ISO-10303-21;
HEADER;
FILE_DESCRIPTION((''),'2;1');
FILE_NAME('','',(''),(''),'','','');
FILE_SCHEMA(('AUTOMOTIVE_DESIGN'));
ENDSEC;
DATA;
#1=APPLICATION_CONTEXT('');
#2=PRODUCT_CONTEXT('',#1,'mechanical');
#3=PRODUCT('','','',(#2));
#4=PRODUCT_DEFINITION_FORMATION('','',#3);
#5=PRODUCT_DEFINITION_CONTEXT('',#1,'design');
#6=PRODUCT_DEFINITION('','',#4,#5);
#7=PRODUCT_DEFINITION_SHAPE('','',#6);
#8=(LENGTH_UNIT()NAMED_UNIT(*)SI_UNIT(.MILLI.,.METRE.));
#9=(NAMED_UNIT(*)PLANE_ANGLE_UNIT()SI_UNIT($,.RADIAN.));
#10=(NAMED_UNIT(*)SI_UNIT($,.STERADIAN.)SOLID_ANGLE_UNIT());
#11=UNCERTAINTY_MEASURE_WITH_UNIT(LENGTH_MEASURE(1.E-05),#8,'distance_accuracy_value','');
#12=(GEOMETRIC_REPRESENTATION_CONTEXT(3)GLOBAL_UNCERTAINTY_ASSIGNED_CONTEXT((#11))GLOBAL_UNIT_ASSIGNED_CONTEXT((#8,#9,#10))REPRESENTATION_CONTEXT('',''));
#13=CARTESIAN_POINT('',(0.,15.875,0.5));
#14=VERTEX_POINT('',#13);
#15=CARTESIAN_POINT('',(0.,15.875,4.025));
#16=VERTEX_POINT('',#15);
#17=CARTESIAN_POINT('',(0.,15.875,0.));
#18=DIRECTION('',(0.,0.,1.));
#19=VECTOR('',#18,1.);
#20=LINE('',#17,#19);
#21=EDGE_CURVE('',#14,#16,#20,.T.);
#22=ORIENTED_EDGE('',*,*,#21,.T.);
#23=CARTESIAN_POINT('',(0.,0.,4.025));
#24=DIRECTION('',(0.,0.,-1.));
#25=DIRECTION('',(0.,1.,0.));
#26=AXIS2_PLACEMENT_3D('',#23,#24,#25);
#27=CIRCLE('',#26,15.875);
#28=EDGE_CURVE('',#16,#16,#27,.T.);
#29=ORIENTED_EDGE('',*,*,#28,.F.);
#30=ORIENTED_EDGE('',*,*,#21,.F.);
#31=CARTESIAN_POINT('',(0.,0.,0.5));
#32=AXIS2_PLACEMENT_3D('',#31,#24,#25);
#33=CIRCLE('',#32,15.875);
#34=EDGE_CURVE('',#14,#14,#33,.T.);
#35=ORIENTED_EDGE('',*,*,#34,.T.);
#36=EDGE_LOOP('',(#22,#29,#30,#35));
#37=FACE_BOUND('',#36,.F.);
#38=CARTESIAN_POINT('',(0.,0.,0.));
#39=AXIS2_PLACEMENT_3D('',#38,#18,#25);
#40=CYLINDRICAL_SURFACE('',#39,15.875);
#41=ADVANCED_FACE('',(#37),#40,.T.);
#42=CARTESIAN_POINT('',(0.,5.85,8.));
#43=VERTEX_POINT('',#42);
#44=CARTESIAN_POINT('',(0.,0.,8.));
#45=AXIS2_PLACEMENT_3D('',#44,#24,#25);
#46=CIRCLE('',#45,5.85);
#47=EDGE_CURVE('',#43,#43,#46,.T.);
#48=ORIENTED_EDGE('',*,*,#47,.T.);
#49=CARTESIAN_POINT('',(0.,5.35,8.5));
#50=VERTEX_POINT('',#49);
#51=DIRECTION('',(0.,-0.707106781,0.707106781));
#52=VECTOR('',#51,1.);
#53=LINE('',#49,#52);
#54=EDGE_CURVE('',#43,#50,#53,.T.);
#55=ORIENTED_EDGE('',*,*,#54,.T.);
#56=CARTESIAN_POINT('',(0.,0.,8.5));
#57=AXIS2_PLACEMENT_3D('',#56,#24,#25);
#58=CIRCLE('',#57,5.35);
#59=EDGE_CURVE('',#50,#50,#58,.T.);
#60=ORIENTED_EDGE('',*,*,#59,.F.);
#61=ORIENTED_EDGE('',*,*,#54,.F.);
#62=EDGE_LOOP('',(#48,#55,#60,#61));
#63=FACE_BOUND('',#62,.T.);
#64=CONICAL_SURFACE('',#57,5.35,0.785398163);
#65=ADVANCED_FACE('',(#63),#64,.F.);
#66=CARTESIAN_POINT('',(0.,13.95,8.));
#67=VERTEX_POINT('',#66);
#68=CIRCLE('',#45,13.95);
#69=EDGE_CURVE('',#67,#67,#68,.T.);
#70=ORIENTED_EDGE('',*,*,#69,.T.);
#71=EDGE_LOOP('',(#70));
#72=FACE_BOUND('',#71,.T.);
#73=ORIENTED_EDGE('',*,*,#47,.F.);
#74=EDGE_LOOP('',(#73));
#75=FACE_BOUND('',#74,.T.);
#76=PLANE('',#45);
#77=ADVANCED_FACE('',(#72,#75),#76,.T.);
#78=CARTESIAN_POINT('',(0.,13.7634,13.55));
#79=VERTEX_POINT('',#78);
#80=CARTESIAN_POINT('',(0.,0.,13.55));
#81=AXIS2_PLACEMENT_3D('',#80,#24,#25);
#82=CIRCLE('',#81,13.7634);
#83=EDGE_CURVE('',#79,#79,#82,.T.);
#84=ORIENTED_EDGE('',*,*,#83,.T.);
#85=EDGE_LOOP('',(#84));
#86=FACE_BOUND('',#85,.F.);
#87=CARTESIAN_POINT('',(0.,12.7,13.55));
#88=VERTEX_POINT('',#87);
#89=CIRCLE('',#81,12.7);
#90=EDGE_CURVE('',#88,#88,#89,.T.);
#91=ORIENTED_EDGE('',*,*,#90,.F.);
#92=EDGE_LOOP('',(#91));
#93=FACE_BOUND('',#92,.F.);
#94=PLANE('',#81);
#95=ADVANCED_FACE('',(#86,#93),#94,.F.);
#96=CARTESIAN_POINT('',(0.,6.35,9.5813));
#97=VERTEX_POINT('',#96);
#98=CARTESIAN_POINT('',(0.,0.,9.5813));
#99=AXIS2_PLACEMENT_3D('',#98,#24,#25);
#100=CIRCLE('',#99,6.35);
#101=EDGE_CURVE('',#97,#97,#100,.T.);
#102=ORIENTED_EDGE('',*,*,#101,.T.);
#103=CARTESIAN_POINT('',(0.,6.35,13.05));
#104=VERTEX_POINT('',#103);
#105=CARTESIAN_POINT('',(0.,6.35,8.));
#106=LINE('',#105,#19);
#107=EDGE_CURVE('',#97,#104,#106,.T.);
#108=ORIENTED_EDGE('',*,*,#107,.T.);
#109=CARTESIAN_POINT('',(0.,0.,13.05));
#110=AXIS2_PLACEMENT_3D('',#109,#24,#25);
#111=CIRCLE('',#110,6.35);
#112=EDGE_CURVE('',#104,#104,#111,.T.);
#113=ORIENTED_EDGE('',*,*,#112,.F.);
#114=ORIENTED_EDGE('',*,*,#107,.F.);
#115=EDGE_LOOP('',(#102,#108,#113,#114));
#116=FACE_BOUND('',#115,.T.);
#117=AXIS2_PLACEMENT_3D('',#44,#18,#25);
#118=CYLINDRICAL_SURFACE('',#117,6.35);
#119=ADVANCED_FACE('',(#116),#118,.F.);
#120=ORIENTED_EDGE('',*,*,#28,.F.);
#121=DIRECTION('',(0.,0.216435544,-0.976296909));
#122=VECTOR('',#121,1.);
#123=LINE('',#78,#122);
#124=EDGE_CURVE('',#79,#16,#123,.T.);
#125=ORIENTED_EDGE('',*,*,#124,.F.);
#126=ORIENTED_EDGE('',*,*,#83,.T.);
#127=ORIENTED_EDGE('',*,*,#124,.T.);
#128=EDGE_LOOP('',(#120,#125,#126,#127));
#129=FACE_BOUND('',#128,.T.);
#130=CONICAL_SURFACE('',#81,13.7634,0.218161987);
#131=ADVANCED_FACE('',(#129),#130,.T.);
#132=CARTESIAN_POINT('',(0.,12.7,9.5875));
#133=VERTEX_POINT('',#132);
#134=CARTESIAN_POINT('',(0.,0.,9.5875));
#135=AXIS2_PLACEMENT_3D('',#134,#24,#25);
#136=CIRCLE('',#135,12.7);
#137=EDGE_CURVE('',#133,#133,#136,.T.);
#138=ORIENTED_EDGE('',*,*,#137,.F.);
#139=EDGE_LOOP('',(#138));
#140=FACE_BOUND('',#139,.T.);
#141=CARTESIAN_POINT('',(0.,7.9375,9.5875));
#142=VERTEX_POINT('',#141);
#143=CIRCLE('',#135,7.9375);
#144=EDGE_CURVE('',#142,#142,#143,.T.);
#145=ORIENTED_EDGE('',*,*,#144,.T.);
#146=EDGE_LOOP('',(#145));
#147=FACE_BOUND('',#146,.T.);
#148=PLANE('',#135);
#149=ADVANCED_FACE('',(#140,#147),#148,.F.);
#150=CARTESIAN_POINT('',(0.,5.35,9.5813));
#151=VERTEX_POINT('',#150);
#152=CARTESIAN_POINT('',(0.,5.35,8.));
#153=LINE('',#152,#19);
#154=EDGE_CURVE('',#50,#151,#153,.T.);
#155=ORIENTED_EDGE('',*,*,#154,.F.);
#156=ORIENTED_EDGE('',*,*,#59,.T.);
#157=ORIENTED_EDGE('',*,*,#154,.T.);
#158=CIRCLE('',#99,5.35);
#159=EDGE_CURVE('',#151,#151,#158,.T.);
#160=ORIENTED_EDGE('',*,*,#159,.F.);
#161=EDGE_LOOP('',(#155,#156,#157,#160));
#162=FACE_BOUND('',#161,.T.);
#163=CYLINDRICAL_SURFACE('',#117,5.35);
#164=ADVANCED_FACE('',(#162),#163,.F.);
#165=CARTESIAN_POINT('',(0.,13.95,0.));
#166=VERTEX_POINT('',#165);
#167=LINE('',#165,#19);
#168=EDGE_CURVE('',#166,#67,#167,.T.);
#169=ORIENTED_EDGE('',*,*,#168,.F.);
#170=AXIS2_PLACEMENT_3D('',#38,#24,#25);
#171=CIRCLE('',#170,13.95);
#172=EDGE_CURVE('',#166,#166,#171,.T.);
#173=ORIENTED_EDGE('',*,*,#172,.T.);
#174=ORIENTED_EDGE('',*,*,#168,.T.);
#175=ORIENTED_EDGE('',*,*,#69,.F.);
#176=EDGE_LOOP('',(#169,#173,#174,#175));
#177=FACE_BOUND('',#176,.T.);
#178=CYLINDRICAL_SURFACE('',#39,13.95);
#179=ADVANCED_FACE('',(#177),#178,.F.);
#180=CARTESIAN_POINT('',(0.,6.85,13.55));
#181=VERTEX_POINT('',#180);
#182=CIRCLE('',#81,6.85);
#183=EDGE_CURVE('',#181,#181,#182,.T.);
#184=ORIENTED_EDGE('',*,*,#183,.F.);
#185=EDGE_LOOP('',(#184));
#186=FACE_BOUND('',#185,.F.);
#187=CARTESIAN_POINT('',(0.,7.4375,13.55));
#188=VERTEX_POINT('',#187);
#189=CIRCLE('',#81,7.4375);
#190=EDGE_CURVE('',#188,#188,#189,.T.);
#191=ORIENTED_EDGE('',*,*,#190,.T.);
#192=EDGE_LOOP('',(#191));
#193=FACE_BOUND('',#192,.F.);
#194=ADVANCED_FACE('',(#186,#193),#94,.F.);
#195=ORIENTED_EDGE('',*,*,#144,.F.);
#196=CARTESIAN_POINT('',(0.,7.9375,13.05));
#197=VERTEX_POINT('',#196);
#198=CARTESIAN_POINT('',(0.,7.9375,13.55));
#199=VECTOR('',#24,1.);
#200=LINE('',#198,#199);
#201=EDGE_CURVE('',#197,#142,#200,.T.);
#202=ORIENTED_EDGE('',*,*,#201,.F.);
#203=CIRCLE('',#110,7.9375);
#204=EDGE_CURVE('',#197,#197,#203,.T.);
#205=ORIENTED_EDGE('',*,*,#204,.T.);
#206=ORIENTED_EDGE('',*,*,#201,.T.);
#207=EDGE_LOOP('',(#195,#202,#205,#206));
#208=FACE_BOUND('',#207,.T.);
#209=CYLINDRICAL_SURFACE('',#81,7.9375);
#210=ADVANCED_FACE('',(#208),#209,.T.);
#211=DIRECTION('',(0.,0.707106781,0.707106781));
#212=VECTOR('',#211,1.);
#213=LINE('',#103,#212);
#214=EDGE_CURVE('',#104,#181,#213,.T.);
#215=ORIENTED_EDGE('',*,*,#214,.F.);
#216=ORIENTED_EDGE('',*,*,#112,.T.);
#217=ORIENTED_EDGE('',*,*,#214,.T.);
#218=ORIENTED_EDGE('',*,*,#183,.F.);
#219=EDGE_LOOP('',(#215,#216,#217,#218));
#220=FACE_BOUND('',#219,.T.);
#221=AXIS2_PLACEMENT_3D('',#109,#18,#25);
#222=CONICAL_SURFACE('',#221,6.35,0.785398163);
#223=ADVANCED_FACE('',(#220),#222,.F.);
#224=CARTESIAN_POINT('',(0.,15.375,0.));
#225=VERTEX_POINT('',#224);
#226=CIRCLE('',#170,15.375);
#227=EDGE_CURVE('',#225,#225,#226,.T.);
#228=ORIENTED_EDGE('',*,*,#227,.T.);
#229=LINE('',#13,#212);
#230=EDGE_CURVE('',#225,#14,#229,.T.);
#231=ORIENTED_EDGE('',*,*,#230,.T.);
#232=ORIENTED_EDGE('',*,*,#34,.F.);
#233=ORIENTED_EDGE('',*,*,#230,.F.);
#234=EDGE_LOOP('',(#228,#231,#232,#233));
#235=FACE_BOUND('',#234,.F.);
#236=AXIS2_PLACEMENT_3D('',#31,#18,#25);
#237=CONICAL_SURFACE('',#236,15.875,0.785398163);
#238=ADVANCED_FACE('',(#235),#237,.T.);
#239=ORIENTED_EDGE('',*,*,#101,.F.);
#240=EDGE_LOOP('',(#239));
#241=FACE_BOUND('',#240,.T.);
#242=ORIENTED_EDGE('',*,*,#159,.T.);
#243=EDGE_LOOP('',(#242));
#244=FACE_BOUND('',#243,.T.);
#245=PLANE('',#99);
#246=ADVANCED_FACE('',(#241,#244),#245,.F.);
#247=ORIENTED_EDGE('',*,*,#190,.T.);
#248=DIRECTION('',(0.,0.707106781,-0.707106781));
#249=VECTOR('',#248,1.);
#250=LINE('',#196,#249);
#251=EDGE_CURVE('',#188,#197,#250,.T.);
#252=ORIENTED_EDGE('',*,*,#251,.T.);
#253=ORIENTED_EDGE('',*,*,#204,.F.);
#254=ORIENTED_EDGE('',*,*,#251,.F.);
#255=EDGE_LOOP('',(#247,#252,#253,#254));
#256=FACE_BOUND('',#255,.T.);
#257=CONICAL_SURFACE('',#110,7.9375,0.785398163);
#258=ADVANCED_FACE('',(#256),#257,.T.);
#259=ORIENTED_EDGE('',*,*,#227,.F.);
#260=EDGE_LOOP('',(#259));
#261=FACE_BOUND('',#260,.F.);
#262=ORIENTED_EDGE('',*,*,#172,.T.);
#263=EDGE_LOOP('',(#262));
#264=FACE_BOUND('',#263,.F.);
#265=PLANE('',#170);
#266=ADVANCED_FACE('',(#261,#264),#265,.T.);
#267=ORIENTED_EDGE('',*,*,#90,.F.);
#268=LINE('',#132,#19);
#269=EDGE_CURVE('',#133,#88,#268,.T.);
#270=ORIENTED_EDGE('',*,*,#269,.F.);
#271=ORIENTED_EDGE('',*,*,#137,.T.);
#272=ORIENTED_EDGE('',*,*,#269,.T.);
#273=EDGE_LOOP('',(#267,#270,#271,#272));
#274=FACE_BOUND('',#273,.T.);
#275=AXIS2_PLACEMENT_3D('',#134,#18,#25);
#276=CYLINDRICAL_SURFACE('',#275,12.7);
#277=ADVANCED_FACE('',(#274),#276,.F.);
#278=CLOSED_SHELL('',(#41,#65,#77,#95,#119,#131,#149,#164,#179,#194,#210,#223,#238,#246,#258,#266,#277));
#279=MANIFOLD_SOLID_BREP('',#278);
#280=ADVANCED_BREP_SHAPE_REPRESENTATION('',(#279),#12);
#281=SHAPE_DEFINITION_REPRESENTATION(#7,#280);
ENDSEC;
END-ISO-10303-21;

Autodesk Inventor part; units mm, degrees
ref_plane "YZ Plane" through (0, 0, 0) normal (1, 0, 0) x (0, 1, 0)
ref_plane "XZ Plane" through (0, 0, 0) normal (0, 1, 0) x (-1, 0, 0)
ref_plane "XY Plane" through (0, 0, 0) normal (0, 0, 1) x (1, 0, 0)
sketch "Sketch1" plane through (0, 0, 0) normal (1, 0, 0) x (0, 1, 0)
  line L0 (0, 0) -> (13.95, 0) construction
  line L1 (13.95, 0) -> (13.95, 8)
  line L2 (13.95, 8) -> (0, 8)
  line L3 (0, 8) -> (0, 0) construction
  line L4 (0, 8) -> (6.35, 8)
  line L5 (6.35, 8) -> (6.35, 13.55)
  line L6 (6.35, 13.55) -> (0, 13.55) construction
  line L7 (0, 13.55) -> (0, 8) construction
  line L8 (0, 0) -> (15.875, 0)
  line L9 (15.875, 0) -> (15.875, 13.55)
  line L10 (15.875, 13.55) -> (0, 13.55)
  line L11 (0, 13.55) -> (0, 0)
  line L12 (13.7634, 13.55) -> (15.875, 4.025)
  line L13 (6.35, 8) -> (5.35, 8)
  line L14 (5.35, 8) -> (5.35, 9.5813)
  line L15 (5.35, 9.5813) -> (6.35, 9.5813)
  line L16 (6.35, 9.5813) -> (6.35, 8)
  line L17 (12.7, 13.55) -> (7.9375, 13.55)
  line L18 (7.9375, 13.55) -> (7.9375, 9.5875)
  line L19 (7.9375, 9.5875) -> (12.7, 9.5875)
  line L20 (12.7, 9.5875) -> (12.7, 13.55)
  point P0 (13.95, 0)
  point P1 (0, 8)
  point P2 (6.35, 9.5813)
  dimension "d0" = 13.95
  dimension "d1" = 8
  dimension "d2" = 6.35
  dimension "d3" = 13.55
  dimension "d4" = 15.875
  dimension "d7" = 12.5
  dimension "d8" = 9.525
  dimension "d9" = 1
  dimension "d10" = 3.9688
  dimension "d17" = 1.5875
  dimension "d18" = 1.5875
  dimension "d19" = 3.175
revolve "Revolution1" add sketch "Sketch1" angle 360 about axis through (0, 0, 13.55) along (0, 0, -1) contours L1 L2 L5 L10 L18 L19 L20 L12 L9 L8 | L2 L14 L15 L5
chamfer "Chamfer2" distance 0.5 angle 45 4 edges at (0, -6.35, 13.55) (0, -15.875, 0) (0, -5.35, 8) (0, -7.9375, 13.55)
properties part number "Flywheel" material "Brass, Soft Yellow"
